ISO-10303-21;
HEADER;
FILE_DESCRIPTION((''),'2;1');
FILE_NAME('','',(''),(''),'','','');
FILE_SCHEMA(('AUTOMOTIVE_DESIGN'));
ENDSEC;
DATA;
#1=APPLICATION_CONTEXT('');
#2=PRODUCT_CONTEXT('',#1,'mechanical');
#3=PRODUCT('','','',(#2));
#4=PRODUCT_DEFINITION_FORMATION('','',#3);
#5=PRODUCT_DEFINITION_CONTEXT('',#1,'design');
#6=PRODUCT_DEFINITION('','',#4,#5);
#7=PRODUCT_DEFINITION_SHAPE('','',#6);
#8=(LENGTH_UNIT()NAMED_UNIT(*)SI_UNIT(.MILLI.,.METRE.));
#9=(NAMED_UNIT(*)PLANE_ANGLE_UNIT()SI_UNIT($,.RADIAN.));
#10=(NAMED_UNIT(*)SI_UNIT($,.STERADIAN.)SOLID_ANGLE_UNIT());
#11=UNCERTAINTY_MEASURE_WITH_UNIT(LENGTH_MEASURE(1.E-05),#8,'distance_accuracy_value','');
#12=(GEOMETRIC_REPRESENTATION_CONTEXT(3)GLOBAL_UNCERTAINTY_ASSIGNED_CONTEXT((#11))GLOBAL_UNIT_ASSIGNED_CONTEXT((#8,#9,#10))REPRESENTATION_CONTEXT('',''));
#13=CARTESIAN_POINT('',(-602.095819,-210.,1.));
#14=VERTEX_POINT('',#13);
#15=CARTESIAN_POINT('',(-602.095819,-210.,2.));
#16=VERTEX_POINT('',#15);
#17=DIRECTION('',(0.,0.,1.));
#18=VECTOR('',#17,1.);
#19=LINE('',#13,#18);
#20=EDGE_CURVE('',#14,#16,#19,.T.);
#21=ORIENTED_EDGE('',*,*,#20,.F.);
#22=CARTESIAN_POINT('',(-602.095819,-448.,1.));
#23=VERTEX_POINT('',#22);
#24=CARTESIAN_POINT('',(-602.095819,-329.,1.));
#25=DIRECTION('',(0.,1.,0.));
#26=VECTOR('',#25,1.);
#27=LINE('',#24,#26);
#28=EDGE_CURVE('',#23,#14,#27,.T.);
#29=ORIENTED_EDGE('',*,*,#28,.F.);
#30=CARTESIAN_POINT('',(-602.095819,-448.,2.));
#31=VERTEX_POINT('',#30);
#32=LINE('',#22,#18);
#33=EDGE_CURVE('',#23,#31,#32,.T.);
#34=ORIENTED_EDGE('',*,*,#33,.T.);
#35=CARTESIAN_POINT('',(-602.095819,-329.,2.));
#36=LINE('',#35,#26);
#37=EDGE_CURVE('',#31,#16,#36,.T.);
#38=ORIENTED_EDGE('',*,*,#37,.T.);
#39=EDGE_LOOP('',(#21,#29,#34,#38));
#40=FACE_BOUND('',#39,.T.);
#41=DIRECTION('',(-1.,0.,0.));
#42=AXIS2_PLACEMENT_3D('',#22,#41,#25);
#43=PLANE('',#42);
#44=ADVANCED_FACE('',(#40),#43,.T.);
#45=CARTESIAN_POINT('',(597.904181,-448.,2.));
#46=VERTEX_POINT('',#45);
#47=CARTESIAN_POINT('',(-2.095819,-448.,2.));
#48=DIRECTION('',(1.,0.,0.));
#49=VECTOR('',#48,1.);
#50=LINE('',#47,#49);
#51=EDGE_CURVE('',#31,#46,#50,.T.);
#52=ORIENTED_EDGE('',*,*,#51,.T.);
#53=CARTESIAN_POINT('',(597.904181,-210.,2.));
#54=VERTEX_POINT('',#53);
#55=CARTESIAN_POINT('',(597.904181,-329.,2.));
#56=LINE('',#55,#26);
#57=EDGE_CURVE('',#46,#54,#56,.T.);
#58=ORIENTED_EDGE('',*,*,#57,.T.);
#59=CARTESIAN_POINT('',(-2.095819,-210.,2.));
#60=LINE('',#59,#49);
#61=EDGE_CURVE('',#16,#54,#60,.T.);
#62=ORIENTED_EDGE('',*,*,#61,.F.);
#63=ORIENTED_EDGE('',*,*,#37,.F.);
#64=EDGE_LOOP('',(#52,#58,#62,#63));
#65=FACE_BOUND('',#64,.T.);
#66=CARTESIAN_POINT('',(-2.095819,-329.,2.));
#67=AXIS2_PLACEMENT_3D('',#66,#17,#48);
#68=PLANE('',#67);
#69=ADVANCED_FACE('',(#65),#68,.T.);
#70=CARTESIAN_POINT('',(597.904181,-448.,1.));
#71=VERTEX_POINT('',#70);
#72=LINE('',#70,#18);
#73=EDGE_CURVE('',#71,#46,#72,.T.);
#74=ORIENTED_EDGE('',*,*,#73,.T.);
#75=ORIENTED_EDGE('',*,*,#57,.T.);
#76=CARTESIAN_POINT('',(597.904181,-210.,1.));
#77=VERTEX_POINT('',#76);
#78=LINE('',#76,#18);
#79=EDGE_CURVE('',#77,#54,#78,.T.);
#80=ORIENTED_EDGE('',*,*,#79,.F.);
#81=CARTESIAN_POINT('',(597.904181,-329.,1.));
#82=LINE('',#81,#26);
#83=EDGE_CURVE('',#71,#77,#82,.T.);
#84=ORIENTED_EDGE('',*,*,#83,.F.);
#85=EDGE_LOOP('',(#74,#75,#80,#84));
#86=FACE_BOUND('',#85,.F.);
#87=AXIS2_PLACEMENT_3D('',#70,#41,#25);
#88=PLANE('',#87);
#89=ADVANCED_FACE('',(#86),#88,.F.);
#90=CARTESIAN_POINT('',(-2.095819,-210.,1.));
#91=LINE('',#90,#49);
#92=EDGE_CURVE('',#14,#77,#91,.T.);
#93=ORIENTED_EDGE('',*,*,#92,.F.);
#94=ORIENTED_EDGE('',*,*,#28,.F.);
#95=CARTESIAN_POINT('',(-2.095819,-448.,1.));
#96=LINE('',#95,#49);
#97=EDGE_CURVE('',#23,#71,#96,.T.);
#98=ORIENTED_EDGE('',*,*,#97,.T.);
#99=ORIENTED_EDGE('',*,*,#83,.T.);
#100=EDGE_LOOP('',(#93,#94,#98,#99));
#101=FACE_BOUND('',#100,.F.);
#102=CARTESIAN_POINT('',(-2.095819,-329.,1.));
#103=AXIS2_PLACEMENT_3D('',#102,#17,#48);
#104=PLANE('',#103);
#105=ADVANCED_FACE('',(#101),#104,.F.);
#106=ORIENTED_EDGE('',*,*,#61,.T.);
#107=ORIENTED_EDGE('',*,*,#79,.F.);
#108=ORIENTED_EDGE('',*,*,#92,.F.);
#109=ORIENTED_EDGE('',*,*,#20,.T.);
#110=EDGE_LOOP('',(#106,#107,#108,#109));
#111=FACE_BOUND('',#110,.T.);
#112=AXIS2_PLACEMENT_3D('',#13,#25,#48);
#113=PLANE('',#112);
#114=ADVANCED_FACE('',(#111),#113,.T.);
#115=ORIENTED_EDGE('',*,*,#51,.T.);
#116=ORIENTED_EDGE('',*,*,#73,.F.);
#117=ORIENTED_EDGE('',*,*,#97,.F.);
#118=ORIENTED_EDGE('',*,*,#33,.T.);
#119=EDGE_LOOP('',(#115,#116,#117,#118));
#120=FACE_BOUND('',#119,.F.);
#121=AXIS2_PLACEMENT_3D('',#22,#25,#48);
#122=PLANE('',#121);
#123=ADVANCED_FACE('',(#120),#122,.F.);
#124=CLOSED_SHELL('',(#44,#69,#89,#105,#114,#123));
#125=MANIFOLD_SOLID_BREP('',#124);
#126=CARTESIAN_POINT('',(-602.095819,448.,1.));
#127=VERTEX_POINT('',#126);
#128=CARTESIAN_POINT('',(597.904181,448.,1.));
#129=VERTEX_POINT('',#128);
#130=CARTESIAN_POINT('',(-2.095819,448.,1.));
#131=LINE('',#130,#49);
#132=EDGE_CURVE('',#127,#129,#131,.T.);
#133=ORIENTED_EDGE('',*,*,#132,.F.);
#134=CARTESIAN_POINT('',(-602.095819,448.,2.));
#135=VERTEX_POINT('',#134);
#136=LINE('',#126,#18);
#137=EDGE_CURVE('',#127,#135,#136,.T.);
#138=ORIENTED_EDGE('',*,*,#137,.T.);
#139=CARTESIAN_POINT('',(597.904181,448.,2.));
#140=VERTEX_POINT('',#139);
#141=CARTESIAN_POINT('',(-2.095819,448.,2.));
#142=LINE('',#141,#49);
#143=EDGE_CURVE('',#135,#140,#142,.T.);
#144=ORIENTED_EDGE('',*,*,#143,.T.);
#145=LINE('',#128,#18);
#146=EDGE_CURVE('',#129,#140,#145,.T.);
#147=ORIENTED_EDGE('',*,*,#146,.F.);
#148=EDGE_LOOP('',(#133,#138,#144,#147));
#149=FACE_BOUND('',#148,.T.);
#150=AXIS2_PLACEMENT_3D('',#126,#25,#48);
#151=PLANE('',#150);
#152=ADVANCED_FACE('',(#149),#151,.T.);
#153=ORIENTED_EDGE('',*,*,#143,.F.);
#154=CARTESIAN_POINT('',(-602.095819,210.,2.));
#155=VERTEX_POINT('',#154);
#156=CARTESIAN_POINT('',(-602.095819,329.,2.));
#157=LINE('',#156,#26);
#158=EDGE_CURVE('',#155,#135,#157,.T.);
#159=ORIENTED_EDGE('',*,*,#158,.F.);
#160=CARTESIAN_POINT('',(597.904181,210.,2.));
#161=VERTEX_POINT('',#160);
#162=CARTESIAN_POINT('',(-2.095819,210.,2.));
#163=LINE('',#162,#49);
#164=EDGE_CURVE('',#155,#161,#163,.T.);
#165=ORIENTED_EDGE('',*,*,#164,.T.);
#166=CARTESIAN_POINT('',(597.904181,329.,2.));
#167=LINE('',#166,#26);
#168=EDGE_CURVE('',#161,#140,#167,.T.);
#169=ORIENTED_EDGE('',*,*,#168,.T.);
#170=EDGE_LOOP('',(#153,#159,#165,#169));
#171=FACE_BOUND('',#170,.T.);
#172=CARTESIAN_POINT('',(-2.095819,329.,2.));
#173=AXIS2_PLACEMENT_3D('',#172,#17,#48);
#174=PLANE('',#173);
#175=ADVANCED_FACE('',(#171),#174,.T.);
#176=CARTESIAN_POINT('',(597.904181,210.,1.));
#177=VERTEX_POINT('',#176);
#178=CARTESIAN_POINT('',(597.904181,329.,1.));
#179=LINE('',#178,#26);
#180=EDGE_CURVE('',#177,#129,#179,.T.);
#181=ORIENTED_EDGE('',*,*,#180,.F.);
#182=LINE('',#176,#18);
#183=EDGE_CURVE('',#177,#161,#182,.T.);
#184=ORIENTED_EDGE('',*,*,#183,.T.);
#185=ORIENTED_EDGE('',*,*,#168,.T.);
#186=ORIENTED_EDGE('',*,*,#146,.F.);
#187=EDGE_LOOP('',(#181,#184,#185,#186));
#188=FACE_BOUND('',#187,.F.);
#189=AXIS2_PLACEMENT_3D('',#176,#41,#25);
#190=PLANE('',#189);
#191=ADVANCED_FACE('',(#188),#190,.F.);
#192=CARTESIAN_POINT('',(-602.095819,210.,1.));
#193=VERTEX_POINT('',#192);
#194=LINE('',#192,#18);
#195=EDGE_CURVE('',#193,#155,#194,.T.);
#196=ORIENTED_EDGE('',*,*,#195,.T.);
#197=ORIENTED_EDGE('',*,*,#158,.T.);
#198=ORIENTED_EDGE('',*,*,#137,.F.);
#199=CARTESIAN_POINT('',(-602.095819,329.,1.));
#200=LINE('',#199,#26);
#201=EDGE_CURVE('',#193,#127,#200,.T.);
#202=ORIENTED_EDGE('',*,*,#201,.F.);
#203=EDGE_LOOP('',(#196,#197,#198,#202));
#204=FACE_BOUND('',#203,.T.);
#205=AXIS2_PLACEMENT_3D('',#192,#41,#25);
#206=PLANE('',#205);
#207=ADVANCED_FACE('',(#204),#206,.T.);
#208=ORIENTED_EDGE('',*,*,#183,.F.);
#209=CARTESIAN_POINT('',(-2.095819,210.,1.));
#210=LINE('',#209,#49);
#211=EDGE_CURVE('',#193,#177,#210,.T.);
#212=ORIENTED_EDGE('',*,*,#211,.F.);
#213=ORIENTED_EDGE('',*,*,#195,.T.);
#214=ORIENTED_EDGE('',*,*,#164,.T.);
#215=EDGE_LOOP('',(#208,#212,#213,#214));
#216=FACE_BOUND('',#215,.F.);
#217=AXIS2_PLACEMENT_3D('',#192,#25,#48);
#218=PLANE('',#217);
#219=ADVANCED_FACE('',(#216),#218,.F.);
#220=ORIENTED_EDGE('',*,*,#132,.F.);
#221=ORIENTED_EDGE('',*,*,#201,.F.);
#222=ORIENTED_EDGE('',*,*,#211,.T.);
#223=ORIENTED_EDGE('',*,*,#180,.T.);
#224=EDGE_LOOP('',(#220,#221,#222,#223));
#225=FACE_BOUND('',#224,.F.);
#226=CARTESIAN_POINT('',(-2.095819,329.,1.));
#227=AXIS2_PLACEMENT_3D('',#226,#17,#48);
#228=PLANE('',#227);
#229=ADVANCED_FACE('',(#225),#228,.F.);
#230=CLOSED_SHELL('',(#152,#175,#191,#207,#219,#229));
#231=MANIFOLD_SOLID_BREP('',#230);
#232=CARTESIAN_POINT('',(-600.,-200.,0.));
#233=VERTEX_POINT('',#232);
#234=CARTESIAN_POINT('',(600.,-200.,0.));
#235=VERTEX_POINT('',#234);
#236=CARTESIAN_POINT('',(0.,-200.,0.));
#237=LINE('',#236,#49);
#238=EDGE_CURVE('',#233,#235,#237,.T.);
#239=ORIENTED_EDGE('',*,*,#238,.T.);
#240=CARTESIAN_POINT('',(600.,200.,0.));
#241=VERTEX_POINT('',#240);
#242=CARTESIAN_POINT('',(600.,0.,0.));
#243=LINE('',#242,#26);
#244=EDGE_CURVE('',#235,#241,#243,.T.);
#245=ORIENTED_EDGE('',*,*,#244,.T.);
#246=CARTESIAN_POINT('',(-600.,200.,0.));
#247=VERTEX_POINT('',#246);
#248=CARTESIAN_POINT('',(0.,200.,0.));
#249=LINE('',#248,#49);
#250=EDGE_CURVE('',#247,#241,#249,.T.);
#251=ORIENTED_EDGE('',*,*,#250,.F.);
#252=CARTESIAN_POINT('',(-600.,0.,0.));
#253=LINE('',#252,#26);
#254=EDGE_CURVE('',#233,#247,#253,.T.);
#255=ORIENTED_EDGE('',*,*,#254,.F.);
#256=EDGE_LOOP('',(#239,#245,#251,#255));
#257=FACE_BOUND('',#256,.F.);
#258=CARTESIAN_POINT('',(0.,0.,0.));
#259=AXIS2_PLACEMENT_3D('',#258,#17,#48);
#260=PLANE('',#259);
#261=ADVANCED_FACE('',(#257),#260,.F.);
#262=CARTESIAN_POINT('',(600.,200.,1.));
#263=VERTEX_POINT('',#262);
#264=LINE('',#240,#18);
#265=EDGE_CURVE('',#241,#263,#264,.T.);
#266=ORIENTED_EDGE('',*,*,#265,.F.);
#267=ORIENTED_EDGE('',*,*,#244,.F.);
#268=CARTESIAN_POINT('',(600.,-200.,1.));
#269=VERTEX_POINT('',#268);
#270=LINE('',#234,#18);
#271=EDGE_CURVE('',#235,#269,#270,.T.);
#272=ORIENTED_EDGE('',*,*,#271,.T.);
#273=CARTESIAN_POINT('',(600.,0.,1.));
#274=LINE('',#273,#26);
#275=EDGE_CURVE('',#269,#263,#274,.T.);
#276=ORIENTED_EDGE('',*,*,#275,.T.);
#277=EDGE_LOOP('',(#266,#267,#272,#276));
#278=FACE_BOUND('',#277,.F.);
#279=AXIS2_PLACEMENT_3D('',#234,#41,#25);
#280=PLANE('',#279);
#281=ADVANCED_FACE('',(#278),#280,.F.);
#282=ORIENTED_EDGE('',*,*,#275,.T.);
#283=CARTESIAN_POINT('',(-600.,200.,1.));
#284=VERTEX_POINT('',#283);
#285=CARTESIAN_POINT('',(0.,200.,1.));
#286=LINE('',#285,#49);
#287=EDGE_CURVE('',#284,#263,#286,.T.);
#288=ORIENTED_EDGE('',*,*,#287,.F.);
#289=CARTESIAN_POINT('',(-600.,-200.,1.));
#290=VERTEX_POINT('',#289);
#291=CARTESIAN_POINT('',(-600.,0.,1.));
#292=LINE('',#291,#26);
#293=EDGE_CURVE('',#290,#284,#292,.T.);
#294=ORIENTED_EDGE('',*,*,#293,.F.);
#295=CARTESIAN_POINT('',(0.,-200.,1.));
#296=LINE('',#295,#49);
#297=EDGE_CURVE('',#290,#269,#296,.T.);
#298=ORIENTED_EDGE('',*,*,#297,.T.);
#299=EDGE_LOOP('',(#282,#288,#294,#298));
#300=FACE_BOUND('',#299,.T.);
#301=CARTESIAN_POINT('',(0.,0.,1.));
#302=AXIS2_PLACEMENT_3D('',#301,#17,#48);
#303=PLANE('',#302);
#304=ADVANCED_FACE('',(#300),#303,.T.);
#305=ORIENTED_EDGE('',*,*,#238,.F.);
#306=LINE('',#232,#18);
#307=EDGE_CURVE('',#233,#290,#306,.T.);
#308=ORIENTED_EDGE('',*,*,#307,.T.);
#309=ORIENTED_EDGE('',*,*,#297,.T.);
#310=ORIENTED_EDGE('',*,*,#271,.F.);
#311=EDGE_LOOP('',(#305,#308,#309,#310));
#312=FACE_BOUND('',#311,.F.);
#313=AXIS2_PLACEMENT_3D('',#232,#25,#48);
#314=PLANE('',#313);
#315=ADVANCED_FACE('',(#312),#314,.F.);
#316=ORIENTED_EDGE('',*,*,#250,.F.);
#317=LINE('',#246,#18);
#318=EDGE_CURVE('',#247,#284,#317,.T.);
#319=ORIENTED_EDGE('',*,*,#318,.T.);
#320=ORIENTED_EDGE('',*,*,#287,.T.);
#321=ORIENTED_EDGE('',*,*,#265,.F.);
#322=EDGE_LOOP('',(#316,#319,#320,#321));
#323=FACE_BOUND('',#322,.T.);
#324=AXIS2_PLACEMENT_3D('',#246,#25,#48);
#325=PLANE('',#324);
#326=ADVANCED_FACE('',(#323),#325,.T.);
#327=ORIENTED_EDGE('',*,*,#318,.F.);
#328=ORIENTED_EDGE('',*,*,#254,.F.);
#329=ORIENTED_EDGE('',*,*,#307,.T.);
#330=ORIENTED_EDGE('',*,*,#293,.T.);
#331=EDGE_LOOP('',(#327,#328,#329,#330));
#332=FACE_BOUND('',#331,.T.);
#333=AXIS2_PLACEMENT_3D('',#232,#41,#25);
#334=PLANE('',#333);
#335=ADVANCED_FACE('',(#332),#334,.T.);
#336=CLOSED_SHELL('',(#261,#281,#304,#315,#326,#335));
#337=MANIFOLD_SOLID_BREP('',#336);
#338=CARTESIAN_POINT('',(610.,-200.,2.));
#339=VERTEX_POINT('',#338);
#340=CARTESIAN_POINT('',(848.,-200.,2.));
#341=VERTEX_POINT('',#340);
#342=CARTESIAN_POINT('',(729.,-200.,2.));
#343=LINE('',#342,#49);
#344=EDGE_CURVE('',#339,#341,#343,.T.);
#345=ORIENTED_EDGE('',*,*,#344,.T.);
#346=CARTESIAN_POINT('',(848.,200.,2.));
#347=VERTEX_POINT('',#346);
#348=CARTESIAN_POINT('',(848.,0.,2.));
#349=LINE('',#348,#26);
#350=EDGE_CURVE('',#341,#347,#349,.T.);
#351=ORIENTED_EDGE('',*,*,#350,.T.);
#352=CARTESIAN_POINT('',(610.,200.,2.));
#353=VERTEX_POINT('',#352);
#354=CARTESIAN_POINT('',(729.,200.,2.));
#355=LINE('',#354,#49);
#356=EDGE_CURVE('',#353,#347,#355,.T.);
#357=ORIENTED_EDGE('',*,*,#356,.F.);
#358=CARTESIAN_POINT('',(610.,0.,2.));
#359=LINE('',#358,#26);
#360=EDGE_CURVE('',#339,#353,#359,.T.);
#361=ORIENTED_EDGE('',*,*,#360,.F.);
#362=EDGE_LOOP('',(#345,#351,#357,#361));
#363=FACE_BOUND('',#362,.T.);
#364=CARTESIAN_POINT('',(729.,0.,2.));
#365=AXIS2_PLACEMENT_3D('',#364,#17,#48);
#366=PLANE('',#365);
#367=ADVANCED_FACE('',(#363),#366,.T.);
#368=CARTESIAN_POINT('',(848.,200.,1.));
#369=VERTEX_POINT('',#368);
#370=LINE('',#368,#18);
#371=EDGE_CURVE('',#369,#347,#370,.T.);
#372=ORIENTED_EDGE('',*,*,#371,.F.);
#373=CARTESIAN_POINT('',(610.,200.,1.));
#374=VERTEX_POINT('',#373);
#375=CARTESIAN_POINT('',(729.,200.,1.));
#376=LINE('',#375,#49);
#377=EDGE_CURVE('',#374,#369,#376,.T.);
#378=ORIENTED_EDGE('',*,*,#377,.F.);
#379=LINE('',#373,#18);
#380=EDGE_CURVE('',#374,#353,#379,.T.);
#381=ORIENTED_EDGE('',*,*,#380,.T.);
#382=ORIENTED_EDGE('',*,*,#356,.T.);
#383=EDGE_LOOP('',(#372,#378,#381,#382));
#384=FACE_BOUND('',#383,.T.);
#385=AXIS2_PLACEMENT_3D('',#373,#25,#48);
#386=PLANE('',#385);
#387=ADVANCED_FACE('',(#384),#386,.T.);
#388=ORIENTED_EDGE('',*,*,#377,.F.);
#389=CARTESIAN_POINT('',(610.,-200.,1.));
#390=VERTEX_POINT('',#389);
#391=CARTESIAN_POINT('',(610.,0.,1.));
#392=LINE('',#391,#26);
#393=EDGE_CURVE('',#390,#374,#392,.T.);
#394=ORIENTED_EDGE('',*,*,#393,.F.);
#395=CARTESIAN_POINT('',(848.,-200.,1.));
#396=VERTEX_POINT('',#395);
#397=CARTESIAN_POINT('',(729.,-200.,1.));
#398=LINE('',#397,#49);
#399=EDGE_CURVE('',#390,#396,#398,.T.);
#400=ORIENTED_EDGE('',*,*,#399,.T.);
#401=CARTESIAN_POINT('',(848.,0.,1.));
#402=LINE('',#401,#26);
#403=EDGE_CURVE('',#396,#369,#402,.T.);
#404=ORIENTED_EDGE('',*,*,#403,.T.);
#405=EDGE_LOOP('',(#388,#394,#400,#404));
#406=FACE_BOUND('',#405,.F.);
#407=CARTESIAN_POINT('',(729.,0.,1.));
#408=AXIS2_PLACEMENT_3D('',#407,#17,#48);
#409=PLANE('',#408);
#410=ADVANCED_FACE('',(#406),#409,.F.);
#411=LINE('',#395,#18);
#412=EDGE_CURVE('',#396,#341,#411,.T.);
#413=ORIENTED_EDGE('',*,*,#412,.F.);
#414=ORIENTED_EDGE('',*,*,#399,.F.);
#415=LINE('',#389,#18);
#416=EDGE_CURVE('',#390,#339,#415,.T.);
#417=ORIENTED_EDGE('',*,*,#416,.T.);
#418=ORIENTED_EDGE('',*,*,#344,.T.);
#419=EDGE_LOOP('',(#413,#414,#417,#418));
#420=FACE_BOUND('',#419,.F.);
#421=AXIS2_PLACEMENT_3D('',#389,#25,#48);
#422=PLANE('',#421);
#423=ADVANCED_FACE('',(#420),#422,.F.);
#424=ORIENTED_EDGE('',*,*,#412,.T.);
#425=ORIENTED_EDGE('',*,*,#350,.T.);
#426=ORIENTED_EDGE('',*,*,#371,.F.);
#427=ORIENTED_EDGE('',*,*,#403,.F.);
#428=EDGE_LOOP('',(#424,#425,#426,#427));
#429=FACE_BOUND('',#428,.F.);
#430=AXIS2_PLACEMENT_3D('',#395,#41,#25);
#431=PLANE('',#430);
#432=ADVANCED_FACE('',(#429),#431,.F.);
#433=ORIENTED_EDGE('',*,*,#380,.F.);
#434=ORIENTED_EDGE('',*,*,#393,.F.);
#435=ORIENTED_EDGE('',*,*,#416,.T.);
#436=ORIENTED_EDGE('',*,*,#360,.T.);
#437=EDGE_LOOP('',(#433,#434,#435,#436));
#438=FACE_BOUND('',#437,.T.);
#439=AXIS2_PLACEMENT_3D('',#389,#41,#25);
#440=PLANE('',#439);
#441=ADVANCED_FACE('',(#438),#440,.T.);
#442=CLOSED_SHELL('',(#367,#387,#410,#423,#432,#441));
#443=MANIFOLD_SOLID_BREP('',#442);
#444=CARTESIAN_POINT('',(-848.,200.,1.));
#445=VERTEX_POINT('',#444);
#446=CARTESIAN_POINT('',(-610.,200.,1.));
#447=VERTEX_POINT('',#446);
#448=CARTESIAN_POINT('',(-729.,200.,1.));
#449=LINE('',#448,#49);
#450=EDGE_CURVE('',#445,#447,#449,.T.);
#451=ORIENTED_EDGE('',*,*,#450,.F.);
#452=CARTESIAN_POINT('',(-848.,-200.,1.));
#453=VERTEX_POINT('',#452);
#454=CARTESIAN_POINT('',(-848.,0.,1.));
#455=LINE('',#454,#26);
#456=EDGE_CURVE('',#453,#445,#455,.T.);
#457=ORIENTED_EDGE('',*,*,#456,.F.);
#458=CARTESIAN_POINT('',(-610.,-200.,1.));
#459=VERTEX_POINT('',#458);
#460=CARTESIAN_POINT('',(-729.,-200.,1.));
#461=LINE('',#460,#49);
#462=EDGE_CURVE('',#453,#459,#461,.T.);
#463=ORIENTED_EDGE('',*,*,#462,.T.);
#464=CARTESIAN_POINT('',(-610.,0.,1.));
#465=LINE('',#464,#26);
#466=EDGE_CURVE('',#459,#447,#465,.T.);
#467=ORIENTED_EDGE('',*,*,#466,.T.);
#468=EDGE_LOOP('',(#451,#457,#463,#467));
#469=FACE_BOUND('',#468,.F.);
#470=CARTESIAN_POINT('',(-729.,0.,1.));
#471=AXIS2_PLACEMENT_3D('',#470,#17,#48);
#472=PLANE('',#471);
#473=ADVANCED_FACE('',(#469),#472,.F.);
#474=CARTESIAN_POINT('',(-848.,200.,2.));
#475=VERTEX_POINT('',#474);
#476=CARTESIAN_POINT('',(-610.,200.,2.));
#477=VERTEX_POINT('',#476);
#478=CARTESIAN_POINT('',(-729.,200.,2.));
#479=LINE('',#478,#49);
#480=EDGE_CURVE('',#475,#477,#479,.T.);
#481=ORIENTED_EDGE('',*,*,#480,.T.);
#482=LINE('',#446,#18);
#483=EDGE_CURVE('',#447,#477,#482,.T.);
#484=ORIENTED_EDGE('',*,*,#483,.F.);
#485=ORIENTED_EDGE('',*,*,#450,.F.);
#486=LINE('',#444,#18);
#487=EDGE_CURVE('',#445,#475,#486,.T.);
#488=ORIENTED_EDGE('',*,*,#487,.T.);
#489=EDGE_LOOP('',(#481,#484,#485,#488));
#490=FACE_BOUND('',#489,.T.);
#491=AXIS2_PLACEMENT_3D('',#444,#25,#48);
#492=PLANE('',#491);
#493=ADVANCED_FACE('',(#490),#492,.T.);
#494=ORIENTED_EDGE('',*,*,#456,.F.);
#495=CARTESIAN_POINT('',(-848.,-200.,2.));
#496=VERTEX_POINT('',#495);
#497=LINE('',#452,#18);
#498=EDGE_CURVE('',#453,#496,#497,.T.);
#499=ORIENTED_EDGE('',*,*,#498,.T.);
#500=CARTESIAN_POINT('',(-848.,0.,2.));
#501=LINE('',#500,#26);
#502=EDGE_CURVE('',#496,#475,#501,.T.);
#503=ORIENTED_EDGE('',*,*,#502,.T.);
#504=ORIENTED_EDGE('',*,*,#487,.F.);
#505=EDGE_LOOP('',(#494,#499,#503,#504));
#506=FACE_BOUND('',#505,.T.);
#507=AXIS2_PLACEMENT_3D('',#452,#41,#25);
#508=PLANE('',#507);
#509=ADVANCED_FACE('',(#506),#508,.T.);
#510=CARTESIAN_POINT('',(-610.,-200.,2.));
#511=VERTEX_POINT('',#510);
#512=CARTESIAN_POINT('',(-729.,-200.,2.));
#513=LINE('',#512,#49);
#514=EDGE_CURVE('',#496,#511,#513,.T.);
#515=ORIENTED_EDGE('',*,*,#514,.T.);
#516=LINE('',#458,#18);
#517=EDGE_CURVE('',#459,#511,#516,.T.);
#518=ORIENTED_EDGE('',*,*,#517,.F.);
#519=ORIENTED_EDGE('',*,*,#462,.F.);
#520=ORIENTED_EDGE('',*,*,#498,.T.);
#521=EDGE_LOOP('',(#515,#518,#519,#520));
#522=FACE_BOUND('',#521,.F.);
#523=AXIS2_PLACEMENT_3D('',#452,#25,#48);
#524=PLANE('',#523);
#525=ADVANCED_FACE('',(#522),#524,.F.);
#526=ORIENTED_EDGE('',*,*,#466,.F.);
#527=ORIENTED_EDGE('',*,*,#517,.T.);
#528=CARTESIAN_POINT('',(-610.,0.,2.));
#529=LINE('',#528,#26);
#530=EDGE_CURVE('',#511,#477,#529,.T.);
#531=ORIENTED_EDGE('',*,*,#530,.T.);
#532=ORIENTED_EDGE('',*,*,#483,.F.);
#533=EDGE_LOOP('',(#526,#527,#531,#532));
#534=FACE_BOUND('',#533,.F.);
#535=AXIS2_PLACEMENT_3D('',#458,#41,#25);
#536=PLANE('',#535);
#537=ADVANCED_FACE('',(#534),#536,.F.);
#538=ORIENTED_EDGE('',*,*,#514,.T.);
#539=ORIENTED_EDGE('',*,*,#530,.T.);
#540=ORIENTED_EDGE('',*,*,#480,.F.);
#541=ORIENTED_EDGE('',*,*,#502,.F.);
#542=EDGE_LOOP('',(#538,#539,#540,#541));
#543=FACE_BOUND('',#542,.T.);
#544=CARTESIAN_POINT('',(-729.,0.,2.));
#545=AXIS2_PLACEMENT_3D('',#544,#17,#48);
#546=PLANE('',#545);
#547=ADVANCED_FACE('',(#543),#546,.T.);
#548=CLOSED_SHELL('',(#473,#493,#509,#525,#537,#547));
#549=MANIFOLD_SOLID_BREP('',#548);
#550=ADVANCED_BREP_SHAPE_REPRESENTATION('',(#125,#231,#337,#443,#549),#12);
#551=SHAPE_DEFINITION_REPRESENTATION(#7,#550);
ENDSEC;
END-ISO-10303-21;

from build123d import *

# Parameters (mm, degrees)
F0_W     = 1200
F0_H     = 400
F1_DEPTH = 1
F3_W     = 1200
F3_H     = 238
F2_W     = 238
F2_H     = 400
F4_DEPTH = 1


with BuildPart() as f1:
    # F0 (on Top) → F1 (new body)
    with BuildSketch(Plane.XY):
        Rectangle(F0_W, F0_H)
    extrude(amount=F1_DEPTH)


with BuildPart() as f4:
    # F3 (on face) + F2 (on face) → F4 (new body)
    with BuildSketch(Plane.XY.offset(1)):
        with Locations((-2.095819, 329)):
            Rectangle(F3_W, F3_H)
        with Locations((-2.095819, -329)):
            Rectangle(F3_W, F3_H)
    with BuildSketch(Plane.XY.offset(1)):
        with Locations((-729, 0)):
            Rectangle(F2_W, F2_H)
        with Locations((729, 0)):
            Rectangle(F2_W, F2_H)
    extrude(amount=F4_DEPTH)


solid = Compound([f1.part, f4.part])
